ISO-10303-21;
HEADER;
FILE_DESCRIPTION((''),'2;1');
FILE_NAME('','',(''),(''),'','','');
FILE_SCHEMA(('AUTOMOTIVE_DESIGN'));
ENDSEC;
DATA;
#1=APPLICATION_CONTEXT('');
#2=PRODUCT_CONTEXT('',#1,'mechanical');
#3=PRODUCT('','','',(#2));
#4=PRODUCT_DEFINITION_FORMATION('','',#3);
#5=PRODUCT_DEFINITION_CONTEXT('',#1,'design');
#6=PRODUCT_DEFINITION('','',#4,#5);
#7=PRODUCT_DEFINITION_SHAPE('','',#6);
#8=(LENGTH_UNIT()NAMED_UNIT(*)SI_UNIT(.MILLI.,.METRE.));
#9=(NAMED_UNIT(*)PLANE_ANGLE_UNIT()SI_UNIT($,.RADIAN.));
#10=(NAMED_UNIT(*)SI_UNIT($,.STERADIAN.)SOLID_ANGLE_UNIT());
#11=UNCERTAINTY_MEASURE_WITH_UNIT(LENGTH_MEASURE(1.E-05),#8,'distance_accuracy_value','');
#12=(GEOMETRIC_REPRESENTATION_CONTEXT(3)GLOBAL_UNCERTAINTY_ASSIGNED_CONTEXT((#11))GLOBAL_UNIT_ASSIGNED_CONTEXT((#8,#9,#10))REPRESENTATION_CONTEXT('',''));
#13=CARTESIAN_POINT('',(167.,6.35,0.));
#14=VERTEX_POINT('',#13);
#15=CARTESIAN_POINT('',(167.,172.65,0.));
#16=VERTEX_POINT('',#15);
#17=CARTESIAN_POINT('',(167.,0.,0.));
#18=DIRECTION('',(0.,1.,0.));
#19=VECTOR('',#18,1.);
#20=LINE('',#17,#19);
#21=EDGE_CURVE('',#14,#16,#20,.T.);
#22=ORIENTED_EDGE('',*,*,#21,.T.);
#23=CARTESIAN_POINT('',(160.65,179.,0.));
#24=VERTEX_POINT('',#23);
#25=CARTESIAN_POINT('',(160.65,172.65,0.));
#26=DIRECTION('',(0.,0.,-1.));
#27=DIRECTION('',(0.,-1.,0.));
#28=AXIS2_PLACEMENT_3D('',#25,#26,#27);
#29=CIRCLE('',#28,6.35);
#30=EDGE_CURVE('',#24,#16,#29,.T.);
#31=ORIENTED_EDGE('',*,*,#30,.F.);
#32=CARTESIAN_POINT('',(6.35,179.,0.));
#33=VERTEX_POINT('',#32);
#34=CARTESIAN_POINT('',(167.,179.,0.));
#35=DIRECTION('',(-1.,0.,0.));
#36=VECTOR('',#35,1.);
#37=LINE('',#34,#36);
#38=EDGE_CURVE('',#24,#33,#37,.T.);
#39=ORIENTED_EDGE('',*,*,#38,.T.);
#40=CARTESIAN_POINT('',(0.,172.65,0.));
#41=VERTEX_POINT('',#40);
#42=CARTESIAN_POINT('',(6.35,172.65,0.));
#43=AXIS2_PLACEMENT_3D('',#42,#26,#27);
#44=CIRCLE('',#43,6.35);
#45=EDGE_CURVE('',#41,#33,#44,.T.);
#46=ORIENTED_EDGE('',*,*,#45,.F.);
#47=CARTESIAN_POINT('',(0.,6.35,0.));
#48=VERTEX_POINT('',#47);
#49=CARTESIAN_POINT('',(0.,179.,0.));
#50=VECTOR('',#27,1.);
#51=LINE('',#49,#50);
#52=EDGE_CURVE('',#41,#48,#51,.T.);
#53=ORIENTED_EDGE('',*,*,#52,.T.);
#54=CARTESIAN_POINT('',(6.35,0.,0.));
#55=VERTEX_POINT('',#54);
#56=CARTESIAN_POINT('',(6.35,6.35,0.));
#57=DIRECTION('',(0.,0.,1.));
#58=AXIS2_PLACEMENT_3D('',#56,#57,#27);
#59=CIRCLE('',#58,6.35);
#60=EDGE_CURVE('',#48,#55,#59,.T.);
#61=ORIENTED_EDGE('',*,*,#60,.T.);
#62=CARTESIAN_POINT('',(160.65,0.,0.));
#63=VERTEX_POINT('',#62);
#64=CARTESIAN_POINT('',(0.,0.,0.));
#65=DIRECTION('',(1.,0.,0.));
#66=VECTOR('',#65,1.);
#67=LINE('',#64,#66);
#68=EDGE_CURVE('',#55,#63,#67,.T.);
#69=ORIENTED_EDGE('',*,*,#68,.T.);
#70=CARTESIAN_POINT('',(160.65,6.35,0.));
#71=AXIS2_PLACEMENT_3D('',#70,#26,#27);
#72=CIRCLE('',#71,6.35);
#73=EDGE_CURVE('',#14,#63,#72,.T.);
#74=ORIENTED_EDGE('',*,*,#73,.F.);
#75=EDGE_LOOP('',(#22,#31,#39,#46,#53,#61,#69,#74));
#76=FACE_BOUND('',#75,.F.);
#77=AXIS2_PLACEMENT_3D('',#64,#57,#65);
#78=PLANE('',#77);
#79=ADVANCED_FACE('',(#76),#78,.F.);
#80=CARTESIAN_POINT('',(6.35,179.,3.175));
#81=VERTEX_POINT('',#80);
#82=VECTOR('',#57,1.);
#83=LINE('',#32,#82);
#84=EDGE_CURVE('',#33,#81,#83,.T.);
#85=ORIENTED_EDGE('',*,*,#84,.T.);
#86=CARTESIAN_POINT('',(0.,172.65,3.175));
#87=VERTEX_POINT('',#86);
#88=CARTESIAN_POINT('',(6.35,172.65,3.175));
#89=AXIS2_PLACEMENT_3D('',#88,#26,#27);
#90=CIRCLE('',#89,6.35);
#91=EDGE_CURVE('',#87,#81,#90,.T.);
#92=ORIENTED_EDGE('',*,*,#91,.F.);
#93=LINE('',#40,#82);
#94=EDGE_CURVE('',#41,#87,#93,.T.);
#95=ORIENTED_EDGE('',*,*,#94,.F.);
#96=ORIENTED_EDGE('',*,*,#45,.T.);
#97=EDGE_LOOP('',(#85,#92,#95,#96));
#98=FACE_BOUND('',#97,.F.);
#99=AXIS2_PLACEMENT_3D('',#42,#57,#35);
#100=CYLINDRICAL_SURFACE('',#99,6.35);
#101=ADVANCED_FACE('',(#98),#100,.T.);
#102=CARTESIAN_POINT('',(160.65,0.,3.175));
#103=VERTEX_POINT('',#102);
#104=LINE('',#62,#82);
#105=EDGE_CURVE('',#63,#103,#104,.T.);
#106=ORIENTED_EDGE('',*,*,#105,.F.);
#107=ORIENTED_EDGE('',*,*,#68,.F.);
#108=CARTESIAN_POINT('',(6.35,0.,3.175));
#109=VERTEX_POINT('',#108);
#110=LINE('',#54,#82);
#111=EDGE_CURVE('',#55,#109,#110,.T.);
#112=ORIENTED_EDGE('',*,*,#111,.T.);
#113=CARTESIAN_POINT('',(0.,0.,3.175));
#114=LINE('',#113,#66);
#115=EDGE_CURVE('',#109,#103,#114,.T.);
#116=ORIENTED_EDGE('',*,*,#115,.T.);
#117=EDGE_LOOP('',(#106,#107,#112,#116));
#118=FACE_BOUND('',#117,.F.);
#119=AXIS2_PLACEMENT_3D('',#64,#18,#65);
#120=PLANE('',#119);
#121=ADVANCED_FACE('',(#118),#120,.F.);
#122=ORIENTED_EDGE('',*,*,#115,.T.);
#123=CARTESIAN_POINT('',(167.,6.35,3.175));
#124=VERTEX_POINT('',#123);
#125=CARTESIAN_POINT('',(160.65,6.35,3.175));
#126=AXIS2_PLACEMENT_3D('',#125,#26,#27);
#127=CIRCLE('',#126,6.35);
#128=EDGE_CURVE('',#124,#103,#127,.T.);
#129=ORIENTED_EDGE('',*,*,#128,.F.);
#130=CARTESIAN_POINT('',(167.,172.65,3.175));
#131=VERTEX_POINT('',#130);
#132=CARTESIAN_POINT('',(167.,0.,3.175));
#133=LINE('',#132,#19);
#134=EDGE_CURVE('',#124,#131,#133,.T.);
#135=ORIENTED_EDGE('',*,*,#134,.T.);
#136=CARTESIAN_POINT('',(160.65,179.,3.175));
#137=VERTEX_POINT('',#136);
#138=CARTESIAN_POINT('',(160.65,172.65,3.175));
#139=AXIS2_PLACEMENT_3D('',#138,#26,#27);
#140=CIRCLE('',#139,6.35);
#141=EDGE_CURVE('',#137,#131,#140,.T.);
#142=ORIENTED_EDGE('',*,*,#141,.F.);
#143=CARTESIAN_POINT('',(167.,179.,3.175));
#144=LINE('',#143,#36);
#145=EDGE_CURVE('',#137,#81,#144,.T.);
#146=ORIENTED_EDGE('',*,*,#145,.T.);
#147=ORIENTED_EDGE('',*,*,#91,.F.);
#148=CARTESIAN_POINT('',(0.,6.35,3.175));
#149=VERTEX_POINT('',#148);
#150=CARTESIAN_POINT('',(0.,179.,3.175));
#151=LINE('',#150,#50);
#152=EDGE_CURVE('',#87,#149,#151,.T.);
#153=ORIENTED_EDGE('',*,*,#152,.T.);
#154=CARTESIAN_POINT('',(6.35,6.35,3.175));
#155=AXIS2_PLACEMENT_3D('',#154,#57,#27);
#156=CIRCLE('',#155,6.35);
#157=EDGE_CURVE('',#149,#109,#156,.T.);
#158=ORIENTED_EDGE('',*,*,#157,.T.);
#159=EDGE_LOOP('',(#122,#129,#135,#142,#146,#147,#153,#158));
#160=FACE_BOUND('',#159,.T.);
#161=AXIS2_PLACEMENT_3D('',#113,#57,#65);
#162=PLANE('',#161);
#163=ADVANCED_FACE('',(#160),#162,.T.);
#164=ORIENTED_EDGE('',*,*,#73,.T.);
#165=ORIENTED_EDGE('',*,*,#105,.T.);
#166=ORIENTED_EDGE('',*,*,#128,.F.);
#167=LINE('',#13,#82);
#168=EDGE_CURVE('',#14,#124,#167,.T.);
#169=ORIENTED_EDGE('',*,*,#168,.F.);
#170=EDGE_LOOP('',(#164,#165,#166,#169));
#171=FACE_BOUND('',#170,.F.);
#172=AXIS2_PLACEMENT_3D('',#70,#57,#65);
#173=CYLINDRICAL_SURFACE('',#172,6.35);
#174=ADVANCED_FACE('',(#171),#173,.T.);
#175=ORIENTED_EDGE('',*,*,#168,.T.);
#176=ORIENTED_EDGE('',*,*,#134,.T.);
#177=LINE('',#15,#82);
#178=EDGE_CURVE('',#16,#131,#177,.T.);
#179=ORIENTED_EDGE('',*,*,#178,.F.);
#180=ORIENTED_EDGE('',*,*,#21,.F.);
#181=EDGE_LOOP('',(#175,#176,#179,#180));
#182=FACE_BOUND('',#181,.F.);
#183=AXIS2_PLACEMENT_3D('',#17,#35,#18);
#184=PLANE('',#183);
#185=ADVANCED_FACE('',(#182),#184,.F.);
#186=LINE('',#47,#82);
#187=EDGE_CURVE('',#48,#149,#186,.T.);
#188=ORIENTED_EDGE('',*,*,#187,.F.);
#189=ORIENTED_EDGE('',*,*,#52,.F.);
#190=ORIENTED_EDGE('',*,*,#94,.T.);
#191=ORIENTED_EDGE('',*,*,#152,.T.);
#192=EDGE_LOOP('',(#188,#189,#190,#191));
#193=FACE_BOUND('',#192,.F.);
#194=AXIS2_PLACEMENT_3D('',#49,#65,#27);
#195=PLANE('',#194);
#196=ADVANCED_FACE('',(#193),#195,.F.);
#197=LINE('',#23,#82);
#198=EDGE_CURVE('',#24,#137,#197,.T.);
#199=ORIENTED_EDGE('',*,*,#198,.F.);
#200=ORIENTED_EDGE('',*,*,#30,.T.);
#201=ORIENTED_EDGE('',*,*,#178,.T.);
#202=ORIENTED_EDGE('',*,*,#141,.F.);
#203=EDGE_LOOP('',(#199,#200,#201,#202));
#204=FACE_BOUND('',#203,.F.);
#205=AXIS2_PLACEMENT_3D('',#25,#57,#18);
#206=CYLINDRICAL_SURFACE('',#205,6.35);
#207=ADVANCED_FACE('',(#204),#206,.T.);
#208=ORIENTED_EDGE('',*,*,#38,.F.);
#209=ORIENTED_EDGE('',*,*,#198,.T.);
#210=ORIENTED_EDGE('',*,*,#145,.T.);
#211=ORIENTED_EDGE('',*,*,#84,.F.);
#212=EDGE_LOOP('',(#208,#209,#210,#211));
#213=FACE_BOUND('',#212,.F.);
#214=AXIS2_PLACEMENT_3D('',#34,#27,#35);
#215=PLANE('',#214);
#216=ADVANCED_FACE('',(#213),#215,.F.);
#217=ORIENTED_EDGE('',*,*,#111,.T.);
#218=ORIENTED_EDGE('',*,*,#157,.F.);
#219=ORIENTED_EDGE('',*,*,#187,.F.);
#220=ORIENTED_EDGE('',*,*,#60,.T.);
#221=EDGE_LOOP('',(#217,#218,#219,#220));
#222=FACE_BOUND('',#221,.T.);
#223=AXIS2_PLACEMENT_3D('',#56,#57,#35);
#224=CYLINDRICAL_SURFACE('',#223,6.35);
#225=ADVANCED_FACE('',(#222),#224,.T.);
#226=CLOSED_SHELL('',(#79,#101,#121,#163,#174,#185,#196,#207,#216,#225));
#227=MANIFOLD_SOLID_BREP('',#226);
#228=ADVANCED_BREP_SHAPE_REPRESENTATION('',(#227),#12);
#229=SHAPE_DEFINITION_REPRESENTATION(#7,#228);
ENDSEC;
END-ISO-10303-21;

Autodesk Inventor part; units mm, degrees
ref_plane "YZ Plane" through (0, 0, 0) normal (1, 0, 0) x (0, 1, 0)
ref_plane "XZ Plane" through (0, 0, 0) normal (0, 1, 0) x (-1, 0, 0)
ref_plane "XY Plane" through (0, 0, 0) normal (0, 0, 1) x (1, 0, 0)
sketch "Sketch1" plane through (0, 0, 0) normal (0, 0, 1) x (1, 0, 0)
  line L0 (0, 0) -> (167, 0)
  line L1 (167, 0) -> (167, 179)
  line L2 (167, 179) -> (0, 179)
  line L3 (0, 179) -> (0, 0)
  dimension "d0" = 179
  dimension "d1" = 167
extrude "Extrusion1" add sketch "Sketch1" along normal blind 3.175
fillet "Fillet1" radius 6.35 4 edges at (167, 179, 1.5875) (0, 179, 1.5875) (167, 0, 1.5875) (0, 0, 1.5875)
properties part number "Inner Side Panel" material "PC/ABS Plastic"
